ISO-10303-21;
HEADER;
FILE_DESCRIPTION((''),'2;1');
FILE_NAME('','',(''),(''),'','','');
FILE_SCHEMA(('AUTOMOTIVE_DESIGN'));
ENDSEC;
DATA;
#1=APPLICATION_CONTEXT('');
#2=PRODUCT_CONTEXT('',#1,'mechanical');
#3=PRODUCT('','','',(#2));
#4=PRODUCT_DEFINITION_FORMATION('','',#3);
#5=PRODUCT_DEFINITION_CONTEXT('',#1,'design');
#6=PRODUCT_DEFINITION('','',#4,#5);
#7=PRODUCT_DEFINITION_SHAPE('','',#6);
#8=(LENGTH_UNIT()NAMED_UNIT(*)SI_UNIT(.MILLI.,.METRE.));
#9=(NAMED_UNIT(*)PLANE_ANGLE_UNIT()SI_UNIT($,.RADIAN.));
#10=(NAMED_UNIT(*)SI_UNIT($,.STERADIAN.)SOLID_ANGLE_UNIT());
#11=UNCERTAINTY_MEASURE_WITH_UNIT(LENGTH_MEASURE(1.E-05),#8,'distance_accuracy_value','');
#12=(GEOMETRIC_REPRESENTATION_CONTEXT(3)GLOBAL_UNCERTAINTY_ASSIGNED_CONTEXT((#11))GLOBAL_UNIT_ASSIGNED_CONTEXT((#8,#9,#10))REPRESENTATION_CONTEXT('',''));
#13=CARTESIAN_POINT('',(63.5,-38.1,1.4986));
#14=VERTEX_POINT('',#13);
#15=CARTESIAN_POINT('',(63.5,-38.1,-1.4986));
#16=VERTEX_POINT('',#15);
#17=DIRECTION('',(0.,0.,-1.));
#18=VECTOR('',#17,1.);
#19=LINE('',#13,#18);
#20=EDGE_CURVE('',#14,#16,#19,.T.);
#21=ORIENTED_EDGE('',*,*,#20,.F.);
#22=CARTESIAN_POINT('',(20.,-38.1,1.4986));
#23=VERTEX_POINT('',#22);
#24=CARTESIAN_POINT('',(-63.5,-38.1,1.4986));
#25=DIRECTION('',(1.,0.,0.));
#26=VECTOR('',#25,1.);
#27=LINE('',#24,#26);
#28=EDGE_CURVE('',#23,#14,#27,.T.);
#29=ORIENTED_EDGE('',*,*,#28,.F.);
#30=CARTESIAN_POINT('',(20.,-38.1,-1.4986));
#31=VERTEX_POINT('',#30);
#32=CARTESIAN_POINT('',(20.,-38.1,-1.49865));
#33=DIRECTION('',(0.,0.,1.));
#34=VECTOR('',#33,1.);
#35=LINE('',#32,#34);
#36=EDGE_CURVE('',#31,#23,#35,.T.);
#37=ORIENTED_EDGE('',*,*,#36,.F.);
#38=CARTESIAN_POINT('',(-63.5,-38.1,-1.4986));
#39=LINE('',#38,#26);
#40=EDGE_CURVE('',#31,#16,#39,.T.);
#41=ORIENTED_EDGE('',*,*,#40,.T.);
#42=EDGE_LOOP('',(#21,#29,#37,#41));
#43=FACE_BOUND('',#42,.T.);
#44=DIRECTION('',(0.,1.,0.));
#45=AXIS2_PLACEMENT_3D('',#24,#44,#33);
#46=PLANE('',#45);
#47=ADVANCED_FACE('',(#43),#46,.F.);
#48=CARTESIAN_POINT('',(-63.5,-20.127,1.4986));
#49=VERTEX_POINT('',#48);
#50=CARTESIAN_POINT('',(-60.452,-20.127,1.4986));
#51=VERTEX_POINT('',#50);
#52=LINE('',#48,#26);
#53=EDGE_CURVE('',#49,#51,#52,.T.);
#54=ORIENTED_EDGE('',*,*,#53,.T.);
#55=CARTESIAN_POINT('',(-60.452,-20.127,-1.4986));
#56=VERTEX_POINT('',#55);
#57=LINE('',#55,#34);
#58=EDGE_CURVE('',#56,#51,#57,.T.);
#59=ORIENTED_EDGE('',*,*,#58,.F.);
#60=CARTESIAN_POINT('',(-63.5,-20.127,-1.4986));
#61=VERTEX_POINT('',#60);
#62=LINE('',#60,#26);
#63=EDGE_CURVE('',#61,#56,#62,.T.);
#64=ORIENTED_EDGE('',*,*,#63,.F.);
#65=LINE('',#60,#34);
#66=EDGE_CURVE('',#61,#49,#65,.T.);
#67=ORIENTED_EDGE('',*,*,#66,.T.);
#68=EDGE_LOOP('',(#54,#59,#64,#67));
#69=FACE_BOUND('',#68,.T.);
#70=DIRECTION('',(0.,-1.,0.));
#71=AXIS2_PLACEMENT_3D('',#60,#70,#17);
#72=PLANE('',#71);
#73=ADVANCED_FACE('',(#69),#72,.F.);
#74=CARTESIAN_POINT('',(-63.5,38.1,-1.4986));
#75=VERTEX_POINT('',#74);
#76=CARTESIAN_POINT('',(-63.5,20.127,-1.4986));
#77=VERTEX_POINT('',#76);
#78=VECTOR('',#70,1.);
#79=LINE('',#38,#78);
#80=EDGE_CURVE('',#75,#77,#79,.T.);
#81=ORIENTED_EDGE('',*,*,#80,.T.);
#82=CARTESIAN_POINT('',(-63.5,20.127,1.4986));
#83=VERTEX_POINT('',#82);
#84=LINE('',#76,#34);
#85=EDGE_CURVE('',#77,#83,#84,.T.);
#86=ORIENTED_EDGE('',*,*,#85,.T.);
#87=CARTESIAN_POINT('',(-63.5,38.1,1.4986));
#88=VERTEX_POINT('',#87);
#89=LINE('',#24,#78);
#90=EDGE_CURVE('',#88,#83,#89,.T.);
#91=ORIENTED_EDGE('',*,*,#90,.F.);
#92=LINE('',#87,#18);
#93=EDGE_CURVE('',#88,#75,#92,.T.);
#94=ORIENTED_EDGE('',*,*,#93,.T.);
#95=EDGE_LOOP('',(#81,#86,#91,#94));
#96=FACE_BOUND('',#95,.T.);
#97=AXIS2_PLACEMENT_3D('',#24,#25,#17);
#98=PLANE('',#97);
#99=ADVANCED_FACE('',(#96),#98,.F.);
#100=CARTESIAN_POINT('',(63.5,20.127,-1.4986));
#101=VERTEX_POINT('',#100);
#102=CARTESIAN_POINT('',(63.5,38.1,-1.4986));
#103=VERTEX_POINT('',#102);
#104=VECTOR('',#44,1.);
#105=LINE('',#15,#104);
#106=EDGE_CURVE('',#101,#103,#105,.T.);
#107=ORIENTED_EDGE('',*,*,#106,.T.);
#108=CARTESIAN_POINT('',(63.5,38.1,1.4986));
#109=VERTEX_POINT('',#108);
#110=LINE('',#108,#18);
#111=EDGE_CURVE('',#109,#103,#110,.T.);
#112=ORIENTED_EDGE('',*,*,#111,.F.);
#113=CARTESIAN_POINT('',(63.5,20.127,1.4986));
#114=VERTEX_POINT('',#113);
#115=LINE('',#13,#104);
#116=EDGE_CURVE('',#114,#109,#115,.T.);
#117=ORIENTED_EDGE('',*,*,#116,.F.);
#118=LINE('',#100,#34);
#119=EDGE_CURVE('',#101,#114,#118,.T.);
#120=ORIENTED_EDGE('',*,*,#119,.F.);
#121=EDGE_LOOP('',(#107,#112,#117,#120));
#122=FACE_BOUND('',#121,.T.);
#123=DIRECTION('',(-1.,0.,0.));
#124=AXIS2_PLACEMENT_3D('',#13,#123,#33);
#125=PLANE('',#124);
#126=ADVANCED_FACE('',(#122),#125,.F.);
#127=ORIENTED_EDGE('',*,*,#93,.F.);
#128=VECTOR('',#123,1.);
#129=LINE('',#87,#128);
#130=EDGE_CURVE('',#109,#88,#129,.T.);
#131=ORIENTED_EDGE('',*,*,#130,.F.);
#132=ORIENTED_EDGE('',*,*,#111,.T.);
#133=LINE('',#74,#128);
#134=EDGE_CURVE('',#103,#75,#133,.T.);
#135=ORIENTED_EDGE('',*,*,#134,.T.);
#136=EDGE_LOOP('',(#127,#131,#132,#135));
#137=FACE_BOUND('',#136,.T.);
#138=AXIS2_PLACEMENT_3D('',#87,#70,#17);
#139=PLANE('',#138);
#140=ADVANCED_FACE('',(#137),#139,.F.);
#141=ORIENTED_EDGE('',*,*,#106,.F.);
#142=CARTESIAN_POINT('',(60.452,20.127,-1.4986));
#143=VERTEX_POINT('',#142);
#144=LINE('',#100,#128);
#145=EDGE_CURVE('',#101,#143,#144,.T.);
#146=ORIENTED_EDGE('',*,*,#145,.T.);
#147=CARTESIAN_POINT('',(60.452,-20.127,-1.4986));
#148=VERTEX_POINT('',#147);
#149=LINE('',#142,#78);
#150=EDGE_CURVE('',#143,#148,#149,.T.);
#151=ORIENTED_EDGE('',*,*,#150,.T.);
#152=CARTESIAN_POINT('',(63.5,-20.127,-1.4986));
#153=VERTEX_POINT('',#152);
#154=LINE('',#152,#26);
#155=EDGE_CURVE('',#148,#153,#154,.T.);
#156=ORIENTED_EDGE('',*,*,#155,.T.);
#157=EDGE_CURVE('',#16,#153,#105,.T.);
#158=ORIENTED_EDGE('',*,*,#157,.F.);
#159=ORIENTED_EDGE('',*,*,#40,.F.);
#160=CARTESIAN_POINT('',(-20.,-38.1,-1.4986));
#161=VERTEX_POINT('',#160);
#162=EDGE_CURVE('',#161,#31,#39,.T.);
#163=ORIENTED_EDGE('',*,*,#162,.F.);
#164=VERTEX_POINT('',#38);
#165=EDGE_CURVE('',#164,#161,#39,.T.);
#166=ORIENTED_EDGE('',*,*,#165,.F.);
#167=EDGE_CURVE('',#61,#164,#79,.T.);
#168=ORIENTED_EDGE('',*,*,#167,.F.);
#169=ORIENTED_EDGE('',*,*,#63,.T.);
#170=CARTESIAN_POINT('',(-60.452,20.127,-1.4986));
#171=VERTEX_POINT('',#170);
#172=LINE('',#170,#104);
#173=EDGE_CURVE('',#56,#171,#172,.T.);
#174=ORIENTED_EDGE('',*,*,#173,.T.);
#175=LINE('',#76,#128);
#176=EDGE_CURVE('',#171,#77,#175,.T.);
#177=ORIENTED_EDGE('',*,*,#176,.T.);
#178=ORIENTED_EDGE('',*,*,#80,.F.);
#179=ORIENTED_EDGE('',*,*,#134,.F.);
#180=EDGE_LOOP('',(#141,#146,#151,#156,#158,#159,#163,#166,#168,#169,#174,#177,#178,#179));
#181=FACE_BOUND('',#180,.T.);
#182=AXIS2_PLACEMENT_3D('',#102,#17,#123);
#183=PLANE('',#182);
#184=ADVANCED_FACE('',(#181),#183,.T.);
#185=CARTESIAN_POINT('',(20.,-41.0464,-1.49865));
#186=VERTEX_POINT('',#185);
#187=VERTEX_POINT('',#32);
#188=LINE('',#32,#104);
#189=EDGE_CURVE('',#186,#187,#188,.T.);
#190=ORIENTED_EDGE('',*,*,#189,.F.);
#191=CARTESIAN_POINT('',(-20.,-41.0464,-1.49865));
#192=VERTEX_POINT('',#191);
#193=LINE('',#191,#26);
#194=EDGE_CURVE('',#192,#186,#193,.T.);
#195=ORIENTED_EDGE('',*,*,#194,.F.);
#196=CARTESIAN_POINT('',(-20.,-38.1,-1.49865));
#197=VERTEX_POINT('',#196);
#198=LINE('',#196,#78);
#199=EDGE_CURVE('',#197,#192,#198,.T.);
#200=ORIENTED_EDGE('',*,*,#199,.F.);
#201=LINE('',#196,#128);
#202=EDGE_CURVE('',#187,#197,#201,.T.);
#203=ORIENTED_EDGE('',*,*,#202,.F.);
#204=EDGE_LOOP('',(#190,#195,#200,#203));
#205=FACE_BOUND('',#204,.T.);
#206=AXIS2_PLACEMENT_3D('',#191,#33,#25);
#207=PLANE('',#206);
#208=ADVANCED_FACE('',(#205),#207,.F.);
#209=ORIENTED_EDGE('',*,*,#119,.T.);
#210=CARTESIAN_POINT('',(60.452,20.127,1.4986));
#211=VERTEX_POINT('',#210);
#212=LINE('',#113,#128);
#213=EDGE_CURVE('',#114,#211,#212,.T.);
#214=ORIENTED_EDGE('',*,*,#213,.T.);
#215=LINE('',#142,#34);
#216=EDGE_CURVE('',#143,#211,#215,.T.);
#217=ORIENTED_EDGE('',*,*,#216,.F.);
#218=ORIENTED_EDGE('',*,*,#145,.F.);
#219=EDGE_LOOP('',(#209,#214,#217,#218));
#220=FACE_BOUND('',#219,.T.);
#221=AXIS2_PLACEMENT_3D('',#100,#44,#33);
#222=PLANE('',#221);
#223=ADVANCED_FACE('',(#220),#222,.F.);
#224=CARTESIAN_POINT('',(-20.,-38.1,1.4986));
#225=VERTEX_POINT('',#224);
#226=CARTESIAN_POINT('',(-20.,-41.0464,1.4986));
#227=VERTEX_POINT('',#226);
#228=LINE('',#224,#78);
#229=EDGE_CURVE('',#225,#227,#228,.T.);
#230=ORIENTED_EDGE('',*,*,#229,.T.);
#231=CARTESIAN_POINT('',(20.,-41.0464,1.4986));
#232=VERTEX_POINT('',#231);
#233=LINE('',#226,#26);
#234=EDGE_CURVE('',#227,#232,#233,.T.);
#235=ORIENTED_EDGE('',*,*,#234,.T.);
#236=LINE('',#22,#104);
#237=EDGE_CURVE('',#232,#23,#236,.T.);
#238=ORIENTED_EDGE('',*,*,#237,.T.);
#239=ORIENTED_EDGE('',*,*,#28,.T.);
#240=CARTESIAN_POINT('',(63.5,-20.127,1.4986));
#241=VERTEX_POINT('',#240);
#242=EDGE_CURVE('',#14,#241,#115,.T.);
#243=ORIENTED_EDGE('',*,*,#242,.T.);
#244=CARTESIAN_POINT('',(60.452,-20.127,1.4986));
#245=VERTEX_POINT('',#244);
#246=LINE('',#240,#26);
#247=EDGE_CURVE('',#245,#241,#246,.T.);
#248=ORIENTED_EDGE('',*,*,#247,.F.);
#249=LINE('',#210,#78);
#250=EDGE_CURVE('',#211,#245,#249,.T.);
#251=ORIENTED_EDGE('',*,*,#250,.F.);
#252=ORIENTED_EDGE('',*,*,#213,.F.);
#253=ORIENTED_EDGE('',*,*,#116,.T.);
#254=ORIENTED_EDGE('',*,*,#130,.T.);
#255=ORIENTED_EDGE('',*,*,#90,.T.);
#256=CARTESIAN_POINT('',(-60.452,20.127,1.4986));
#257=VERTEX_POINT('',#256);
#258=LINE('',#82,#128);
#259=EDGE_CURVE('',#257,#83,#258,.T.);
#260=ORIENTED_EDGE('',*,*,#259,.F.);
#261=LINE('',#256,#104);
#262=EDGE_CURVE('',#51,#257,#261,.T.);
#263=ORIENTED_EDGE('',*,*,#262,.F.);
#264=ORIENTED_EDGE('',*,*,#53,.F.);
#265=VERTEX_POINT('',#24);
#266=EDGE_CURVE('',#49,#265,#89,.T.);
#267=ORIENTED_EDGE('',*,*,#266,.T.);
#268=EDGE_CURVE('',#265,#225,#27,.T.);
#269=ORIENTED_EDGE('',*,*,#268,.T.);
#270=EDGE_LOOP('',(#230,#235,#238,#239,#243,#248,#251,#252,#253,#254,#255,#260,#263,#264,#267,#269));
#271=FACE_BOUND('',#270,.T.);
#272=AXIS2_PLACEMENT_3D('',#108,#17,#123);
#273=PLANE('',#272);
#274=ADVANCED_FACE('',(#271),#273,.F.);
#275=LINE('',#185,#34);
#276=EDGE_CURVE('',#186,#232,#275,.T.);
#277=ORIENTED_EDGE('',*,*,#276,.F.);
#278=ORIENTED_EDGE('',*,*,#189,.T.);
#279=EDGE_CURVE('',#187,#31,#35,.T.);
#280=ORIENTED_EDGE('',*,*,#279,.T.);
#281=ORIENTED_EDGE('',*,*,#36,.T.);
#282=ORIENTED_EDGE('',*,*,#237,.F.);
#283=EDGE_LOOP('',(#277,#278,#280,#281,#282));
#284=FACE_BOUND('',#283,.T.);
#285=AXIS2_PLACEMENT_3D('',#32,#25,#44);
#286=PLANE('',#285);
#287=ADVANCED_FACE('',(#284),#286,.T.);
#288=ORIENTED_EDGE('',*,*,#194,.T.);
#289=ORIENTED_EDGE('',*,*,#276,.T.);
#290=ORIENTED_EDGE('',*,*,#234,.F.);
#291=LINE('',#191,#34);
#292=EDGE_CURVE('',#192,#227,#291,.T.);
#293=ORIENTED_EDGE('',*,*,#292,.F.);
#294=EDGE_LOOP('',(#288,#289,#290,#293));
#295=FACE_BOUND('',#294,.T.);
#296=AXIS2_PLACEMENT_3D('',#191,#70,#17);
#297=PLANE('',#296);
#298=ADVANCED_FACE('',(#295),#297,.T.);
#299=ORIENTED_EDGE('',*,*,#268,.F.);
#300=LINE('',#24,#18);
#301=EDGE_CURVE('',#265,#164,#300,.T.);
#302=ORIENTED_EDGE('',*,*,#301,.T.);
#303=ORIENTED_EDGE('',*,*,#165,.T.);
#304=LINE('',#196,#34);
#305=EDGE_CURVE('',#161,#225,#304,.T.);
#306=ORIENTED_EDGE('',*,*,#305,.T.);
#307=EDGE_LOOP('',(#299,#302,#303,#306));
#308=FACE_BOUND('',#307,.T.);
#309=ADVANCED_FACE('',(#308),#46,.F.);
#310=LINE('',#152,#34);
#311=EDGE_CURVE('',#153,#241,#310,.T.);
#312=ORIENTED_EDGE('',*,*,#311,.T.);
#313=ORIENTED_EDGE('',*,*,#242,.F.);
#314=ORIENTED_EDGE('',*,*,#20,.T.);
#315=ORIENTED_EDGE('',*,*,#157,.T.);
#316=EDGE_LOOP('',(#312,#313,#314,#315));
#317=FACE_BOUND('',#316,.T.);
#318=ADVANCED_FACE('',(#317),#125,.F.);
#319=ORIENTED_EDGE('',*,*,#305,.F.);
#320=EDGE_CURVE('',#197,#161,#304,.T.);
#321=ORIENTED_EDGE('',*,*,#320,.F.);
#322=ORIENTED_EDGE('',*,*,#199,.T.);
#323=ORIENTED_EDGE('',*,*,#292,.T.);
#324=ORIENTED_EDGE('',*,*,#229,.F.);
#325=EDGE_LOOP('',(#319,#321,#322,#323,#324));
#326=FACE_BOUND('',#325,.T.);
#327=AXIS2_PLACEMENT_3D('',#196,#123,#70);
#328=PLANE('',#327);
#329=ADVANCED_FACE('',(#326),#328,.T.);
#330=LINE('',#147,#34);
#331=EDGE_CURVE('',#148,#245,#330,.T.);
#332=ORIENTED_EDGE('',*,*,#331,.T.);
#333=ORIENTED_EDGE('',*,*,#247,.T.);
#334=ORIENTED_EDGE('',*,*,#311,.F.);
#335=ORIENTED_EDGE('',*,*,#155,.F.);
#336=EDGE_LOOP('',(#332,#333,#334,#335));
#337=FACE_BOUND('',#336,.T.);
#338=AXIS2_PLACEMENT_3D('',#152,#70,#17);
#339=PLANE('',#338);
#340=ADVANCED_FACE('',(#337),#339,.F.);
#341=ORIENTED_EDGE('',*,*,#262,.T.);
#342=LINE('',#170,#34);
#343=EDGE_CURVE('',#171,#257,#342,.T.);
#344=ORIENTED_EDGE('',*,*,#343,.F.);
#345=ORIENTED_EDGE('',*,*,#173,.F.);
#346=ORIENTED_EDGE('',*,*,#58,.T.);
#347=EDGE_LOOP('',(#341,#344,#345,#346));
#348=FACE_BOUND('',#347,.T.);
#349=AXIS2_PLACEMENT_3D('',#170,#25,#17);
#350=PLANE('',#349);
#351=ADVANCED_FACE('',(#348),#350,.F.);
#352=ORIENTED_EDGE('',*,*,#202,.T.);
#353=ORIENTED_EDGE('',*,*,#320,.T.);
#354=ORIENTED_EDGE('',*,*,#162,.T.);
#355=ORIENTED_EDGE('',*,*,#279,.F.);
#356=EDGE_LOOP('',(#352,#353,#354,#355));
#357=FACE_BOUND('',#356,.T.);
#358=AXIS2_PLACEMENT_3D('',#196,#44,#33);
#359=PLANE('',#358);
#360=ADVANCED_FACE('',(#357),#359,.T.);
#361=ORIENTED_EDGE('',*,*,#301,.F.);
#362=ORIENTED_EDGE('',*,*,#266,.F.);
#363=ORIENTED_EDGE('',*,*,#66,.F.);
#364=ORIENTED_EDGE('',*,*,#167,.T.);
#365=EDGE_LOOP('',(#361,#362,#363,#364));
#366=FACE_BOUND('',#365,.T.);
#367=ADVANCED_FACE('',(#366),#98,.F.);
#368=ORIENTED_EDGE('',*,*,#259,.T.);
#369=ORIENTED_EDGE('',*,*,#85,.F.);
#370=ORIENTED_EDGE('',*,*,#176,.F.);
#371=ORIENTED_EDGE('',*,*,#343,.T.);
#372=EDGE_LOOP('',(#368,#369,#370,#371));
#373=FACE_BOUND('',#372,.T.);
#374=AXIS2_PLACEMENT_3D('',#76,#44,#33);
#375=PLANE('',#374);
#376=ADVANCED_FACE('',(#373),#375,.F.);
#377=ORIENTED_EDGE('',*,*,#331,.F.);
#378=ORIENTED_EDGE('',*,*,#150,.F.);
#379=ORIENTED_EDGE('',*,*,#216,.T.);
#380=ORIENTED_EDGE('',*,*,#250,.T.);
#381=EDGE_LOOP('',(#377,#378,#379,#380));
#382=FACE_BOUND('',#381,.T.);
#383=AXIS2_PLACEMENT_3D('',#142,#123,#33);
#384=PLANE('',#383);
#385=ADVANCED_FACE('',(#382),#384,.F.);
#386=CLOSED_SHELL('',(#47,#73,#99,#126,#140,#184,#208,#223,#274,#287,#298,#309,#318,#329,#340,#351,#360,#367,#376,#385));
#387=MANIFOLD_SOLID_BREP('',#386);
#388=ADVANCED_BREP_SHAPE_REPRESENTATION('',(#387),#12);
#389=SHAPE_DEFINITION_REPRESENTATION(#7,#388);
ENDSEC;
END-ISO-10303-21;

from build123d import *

# Parameters (mm, degrees)
SKETCH1_W           = 127
SKETCH1_H           = 76.2
BOSS_EXTRUDE1_DEPTH = 1.4986
SKETCH2_W           = 3.048
SKETCH2_H           = 40.254
SKETCH2_W_2         = 40.254
SKETCH2_H_2         = 2.9464
CUT_EXTRUDE1_DEPTH  = 3.9972
SKETCH3_W           = 40
SKETCH3_H           = 2.9464
BOSS_EXTRUDE2_DEPTH = 2.9972


with BuildPart() as part:
    # Sketch1 → Boss-Extrude1 (new body, symmetric)
    with BuildSketch(Plane.XY):
        Rectangle(SKETCH1_W, SKETCH1_H)
    extrude(amount=BOSS_EXTRUDE1_DEPTH, both=True)

    # Sketch2 → Cut-Extrude1 (cut, through all)
    with BuildSketch(Plane.XY.offset(1.4986)):
        with Locations((-61.976, 0)):
            Rectangle(SKETCH2_W, SKETCH2_H)
        with Locations((61.976, 0)):
            Rectangle(SKETCH2_W, SKETCH2_H)
        with Locations((0, -39.5732)):
            Rectangle(SKETCH2_W_2, SKETCH2_H_2)
    extrude(amount=-CUT_EXTRUDE1_DEPTH, mode=Mode.SUBTRACT)

    # Sketch3 → Boss-Extrude2 (add, through all)
    with BuildSketch(Plane.XY.offset(1.4986)):
        with Locations((0, -39.5732)):
            Rectangle(SKETCH3_W, SKETCH3_H)
    extrude(amount=-BOSS_EXTRUDE2_DEPTH)


solid = part.part
